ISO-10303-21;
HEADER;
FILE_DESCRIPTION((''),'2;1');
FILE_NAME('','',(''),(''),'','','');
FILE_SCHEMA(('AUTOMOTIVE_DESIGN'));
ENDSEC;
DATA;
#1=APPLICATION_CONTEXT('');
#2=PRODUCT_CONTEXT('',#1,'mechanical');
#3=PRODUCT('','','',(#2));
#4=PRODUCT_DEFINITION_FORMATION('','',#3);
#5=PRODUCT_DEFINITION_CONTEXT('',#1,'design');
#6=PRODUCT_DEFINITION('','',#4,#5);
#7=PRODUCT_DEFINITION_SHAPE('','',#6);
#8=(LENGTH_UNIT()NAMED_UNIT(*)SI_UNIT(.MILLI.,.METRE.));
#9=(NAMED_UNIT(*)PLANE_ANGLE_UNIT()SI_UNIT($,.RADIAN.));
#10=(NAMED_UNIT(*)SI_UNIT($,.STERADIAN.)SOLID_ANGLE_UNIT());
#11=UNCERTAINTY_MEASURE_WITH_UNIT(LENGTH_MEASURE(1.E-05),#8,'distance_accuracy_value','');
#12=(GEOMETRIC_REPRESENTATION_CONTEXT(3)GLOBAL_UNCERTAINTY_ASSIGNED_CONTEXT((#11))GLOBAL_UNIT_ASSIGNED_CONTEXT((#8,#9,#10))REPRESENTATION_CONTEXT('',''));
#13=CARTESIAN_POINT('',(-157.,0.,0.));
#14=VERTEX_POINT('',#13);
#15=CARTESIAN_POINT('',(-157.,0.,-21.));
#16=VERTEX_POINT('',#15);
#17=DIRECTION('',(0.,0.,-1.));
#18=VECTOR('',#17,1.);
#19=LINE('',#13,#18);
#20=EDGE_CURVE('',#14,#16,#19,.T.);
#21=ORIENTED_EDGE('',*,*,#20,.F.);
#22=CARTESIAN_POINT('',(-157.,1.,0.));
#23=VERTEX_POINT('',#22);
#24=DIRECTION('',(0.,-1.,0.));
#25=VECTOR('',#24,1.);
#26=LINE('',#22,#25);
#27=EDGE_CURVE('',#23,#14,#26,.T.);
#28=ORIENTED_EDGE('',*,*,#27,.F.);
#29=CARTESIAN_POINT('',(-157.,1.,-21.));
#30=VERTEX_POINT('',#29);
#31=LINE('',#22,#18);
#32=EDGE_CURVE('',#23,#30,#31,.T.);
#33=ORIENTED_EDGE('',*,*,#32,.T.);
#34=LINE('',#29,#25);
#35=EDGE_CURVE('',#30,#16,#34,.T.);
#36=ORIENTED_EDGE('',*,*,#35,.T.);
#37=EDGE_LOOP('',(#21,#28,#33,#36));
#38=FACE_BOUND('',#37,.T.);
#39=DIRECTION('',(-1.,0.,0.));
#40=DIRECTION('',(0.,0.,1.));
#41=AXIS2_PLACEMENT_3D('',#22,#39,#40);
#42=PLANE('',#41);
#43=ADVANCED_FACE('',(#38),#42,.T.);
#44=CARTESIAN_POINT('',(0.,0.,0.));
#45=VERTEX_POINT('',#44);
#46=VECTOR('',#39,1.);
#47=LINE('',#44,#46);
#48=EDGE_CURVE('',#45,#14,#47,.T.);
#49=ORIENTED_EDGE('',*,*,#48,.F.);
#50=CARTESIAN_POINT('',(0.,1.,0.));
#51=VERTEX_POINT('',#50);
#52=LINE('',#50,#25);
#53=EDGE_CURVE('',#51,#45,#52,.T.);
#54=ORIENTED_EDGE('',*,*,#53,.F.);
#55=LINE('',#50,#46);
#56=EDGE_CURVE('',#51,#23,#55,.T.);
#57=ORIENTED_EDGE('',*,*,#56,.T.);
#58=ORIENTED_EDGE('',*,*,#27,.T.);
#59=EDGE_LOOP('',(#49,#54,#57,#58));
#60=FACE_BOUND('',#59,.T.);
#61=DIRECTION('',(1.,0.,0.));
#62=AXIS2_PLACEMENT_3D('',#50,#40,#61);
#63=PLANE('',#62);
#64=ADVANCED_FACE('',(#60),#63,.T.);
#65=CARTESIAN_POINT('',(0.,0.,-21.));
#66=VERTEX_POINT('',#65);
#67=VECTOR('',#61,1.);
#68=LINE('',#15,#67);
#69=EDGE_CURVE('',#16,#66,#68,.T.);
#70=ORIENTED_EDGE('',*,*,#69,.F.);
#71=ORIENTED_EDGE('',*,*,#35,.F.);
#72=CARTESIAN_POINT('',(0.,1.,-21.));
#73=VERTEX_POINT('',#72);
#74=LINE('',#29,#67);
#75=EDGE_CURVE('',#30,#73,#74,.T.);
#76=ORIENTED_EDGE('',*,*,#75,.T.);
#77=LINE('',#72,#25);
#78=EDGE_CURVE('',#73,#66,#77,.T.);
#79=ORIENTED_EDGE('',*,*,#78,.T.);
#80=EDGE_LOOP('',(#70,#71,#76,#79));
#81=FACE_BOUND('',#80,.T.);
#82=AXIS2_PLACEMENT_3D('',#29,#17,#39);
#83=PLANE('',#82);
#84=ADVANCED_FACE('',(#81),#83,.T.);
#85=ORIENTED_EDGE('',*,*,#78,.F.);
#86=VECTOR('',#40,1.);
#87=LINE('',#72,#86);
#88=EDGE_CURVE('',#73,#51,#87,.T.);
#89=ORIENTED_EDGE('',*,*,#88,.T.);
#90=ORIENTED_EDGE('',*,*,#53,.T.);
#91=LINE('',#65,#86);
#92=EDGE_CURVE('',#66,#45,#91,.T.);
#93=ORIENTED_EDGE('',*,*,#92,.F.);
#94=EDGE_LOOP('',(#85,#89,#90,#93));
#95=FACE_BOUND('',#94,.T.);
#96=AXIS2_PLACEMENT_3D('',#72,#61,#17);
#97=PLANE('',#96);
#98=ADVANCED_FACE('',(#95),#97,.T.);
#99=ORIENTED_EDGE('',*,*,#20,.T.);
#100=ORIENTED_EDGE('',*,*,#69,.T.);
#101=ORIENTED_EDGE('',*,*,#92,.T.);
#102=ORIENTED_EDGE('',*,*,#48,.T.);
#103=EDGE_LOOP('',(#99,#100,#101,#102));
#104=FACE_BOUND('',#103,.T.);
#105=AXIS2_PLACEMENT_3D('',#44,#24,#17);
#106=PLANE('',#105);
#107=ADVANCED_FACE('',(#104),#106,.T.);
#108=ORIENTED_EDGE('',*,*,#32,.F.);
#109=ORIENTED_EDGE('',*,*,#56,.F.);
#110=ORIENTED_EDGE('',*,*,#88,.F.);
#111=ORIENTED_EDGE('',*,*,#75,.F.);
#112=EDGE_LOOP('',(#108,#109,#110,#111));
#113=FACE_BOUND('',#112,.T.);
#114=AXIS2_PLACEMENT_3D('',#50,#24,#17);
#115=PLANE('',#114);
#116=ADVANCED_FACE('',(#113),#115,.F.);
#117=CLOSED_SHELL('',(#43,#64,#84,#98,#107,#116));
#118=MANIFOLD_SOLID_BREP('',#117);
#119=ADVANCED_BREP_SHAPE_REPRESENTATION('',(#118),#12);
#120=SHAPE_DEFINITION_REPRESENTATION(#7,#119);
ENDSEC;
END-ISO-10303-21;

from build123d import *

# Parameters (mm, degrees)
SKETCH_1_W      = 157
SKETCH_1_H      = 21
EXTRUDE_1_DEPTH = 1


with BuildPart() as part:
    # 草图1 → 凸台-拉伸1 (new body)
    with BuildSketch(Plane(origin=(0, 0, 0), x_dir=(1, 0, 0), z_dir=(0, 1, 0))):
        with Locations((-78.5, 10.5)):
            Rectangle(SKETCH_1_W, SKETCH_1_H)
    extrude(amount=EXTRUDE_1_DEPTH)


solid = part.part
